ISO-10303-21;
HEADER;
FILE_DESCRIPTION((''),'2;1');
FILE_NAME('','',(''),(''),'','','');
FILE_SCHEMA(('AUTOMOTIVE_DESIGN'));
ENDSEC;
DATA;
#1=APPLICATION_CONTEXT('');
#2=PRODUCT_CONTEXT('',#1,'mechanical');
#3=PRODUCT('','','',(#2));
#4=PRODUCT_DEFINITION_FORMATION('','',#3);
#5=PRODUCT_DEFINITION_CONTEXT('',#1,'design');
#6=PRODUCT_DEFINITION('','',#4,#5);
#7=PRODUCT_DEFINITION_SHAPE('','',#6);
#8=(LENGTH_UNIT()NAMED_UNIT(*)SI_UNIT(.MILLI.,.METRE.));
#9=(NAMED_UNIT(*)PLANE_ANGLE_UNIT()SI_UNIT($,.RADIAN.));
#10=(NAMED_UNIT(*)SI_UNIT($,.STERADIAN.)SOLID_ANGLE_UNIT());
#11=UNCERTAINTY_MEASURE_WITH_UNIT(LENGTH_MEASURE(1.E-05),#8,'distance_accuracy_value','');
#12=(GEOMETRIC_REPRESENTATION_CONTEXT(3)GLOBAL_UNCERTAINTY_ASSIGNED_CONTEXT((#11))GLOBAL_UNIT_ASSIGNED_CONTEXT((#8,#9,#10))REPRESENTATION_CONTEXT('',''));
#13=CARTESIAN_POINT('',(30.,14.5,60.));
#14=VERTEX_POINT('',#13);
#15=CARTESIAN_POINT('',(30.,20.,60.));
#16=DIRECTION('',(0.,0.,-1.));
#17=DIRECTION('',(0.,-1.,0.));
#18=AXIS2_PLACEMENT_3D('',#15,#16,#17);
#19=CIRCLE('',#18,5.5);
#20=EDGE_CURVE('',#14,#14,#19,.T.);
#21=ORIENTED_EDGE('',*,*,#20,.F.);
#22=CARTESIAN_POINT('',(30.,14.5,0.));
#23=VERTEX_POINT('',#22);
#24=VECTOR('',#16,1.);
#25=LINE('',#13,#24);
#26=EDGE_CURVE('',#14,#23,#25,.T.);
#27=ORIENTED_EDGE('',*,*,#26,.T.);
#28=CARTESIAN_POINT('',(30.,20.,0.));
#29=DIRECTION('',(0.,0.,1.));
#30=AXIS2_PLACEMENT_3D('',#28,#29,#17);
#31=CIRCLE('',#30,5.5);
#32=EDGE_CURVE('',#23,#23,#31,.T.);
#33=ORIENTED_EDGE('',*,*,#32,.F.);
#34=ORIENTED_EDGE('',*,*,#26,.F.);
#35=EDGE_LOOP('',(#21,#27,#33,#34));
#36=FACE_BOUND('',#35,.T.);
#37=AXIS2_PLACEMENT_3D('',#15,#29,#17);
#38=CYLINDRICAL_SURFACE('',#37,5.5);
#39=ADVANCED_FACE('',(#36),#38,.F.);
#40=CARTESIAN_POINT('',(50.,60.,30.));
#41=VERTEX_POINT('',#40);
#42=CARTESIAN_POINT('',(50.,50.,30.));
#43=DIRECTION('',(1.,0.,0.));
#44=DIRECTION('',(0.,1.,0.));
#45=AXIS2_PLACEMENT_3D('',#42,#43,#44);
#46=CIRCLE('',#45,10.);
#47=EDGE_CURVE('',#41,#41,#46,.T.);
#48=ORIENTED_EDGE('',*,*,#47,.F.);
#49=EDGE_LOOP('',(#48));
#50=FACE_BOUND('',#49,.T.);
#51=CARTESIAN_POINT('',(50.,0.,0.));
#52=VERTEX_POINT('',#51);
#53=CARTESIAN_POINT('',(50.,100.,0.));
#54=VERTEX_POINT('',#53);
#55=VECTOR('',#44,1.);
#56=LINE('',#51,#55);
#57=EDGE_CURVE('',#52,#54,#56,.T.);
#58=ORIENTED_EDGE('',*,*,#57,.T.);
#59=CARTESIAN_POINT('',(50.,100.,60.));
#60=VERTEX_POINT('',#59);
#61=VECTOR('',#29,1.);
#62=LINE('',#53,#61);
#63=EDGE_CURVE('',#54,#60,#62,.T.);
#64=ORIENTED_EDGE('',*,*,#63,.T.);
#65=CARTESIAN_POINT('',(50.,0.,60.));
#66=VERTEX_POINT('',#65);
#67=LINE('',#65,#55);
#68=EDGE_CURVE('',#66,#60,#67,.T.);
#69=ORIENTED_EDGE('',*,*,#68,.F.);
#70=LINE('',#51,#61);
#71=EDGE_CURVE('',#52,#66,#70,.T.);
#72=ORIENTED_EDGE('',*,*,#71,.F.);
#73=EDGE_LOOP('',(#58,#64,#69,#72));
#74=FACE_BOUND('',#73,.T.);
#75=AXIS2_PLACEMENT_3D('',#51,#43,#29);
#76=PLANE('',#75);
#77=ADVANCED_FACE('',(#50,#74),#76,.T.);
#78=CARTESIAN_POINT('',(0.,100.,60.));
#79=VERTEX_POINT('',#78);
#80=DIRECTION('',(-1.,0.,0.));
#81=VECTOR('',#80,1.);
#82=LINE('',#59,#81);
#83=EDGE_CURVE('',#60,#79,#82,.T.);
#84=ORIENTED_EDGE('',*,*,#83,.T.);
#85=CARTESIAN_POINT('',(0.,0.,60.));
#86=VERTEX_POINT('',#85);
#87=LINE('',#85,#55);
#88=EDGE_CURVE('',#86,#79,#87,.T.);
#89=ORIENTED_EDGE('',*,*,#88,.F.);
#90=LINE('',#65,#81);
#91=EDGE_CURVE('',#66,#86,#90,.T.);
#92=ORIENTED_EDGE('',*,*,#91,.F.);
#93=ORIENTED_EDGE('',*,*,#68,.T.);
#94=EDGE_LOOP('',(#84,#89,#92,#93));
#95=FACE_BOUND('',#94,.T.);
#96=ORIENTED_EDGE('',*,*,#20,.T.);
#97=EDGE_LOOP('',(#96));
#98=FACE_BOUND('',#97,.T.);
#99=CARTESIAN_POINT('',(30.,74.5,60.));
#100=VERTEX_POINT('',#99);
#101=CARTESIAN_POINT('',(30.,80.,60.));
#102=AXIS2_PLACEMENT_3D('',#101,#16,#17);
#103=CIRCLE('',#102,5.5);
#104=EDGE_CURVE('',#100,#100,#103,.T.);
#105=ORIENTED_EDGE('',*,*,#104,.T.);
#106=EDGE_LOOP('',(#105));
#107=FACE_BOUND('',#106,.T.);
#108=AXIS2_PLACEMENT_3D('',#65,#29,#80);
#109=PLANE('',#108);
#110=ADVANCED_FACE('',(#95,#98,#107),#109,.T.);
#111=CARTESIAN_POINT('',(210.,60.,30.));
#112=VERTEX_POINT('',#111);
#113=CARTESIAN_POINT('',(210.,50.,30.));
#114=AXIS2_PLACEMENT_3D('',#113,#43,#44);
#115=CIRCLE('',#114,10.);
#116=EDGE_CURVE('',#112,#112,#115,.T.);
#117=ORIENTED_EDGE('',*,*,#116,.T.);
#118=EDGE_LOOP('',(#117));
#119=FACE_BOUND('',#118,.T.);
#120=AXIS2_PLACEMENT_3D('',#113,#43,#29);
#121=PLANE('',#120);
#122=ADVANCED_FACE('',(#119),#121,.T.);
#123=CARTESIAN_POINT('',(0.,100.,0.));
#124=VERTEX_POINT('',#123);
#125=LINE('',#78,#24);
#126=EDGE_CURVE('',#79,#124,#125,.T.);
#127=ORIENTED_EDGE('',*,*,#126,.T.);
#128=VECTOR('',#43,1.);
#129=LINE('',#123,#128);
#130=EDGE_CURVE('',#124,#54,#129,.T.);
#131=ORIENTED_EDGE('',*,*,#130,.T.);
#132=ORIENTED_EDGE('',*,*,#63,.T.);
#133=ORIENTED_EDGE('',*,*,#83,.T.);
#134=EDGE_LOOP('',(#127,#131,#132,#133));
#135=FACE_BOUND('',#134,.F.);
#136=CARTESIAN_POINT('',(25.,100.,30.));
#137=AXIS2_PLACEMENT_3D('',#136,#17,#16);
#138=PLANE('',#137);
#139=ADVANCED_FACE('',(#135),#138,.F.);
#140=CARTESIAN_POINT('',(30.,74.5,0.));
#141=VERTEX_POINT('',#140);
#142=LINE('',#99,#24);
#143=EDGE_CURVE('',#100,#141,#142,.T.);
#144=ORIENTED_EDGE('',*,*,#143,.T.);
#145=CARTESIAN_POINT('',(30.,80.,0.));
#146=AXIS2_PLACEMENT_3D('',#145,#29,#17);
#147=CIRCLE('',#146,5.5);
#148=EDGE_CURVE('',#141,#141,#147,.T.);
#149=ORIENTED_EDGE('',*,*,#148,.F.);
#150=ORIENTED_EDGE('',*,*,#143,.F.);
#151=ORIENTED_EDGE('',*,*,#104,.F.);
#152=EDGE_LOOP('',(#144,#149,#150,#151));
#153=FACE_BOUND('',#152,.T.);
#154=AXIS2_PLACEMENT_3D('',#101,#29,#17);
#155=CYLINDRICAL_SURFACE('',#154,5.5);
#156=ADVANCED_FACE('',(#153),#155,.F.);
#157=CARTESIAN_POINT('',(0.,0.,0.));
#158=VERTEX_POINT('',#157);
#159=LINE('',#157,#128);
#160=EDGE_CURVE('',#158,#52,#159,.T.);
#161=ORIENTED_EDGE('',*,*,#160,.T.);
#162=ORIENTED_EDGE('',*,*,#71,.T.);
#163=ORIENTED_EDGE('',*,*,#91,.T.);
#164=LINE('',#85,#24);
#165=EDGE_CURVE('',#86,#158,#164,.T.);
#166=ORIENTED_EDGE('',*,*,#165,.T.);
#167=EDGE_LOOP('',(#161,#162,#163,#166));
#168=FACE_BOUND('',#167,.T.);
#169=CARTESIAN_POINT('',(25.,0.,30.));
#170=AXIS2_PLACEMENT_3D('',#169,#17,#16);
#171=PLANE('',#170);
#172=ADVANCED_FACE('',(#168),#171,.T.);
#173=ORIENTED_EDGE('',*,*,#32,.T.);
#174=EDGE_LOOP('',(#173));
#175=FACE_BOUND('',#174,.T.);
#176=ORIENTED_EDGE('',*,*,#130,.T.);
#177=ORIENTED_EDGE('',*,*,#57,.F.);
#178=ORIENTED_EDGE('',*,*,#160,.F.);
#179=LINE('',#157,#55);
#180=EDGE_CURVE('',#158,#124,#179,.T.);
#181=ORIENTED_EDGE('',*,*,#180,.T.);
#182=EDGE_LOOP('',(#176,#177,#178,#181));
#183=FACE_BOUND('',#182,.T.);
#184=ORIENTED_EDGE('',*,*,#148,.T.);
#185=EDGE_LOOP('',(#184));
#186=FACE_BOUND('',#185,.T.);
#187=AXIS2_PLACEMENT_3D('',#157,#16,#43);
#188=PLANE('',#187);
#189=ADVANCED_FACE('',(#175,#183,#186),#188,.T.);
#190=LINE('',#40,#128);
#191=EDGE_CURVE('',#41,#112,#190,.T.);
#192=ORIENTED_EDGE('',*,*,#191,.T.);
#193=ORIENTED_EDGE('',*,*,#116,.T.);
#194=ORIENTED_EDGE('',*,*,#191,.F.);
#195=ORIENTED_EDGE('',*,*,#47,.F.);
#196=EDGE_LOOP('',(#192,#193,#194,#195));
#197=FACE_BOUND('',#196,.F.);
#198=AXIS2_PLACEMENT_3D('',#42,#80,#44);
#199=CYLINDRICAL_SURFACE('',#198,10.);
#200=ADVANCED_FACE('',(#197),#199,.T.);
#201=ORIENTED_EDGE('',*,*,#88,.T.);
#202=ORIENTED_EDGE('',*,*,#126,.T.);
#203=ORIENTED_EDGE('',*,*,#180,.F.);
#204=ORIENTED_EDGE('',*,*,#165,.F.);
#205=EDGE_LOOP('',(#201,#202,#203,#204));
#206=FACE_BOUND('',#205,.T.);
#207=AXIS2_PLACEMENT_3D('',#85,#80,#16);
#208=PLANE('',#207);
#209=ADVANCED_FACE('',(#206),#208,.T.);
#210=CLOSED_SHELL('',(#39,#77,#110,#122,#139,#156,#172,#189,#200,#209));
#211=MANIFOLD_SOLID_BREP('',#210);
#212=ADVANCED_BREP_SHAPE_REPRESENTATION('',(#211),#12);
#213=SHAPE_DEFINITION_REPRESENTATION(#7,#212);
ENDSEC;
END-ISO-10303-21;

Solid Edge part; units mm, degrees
sketch "Sketch1" plane through (0, 0, 0) normal (0, -1, 0) x (1, 0, 0)
  line L0 (50, 0) -> (50, 60)
  line L1 (50, 60) -> (0, 60)
  line L2 (0, 60) -> (0, 0)
  line L3 (0, 0) -> (50, 0)
extrude "Protrusion1" add sketch "Sketch1" against normal blind 100
hole "Bohrung_1" at (30, 80, 60) direction (0, 0, -1) diameter 11 end up to next
hole "Hole1" at (30, 20, 60) direction (0, 0, -1) diameter 11 end up to next
sketch "Sketch2" plane through (50, 50, 30) normal (1, 0, 0) x (0, 1, 0)
  circle A0 centre (0, 0) radius 10
extrude "Extrusionsausprägung_2" add sketch "Sketch2" along normal blind 160
